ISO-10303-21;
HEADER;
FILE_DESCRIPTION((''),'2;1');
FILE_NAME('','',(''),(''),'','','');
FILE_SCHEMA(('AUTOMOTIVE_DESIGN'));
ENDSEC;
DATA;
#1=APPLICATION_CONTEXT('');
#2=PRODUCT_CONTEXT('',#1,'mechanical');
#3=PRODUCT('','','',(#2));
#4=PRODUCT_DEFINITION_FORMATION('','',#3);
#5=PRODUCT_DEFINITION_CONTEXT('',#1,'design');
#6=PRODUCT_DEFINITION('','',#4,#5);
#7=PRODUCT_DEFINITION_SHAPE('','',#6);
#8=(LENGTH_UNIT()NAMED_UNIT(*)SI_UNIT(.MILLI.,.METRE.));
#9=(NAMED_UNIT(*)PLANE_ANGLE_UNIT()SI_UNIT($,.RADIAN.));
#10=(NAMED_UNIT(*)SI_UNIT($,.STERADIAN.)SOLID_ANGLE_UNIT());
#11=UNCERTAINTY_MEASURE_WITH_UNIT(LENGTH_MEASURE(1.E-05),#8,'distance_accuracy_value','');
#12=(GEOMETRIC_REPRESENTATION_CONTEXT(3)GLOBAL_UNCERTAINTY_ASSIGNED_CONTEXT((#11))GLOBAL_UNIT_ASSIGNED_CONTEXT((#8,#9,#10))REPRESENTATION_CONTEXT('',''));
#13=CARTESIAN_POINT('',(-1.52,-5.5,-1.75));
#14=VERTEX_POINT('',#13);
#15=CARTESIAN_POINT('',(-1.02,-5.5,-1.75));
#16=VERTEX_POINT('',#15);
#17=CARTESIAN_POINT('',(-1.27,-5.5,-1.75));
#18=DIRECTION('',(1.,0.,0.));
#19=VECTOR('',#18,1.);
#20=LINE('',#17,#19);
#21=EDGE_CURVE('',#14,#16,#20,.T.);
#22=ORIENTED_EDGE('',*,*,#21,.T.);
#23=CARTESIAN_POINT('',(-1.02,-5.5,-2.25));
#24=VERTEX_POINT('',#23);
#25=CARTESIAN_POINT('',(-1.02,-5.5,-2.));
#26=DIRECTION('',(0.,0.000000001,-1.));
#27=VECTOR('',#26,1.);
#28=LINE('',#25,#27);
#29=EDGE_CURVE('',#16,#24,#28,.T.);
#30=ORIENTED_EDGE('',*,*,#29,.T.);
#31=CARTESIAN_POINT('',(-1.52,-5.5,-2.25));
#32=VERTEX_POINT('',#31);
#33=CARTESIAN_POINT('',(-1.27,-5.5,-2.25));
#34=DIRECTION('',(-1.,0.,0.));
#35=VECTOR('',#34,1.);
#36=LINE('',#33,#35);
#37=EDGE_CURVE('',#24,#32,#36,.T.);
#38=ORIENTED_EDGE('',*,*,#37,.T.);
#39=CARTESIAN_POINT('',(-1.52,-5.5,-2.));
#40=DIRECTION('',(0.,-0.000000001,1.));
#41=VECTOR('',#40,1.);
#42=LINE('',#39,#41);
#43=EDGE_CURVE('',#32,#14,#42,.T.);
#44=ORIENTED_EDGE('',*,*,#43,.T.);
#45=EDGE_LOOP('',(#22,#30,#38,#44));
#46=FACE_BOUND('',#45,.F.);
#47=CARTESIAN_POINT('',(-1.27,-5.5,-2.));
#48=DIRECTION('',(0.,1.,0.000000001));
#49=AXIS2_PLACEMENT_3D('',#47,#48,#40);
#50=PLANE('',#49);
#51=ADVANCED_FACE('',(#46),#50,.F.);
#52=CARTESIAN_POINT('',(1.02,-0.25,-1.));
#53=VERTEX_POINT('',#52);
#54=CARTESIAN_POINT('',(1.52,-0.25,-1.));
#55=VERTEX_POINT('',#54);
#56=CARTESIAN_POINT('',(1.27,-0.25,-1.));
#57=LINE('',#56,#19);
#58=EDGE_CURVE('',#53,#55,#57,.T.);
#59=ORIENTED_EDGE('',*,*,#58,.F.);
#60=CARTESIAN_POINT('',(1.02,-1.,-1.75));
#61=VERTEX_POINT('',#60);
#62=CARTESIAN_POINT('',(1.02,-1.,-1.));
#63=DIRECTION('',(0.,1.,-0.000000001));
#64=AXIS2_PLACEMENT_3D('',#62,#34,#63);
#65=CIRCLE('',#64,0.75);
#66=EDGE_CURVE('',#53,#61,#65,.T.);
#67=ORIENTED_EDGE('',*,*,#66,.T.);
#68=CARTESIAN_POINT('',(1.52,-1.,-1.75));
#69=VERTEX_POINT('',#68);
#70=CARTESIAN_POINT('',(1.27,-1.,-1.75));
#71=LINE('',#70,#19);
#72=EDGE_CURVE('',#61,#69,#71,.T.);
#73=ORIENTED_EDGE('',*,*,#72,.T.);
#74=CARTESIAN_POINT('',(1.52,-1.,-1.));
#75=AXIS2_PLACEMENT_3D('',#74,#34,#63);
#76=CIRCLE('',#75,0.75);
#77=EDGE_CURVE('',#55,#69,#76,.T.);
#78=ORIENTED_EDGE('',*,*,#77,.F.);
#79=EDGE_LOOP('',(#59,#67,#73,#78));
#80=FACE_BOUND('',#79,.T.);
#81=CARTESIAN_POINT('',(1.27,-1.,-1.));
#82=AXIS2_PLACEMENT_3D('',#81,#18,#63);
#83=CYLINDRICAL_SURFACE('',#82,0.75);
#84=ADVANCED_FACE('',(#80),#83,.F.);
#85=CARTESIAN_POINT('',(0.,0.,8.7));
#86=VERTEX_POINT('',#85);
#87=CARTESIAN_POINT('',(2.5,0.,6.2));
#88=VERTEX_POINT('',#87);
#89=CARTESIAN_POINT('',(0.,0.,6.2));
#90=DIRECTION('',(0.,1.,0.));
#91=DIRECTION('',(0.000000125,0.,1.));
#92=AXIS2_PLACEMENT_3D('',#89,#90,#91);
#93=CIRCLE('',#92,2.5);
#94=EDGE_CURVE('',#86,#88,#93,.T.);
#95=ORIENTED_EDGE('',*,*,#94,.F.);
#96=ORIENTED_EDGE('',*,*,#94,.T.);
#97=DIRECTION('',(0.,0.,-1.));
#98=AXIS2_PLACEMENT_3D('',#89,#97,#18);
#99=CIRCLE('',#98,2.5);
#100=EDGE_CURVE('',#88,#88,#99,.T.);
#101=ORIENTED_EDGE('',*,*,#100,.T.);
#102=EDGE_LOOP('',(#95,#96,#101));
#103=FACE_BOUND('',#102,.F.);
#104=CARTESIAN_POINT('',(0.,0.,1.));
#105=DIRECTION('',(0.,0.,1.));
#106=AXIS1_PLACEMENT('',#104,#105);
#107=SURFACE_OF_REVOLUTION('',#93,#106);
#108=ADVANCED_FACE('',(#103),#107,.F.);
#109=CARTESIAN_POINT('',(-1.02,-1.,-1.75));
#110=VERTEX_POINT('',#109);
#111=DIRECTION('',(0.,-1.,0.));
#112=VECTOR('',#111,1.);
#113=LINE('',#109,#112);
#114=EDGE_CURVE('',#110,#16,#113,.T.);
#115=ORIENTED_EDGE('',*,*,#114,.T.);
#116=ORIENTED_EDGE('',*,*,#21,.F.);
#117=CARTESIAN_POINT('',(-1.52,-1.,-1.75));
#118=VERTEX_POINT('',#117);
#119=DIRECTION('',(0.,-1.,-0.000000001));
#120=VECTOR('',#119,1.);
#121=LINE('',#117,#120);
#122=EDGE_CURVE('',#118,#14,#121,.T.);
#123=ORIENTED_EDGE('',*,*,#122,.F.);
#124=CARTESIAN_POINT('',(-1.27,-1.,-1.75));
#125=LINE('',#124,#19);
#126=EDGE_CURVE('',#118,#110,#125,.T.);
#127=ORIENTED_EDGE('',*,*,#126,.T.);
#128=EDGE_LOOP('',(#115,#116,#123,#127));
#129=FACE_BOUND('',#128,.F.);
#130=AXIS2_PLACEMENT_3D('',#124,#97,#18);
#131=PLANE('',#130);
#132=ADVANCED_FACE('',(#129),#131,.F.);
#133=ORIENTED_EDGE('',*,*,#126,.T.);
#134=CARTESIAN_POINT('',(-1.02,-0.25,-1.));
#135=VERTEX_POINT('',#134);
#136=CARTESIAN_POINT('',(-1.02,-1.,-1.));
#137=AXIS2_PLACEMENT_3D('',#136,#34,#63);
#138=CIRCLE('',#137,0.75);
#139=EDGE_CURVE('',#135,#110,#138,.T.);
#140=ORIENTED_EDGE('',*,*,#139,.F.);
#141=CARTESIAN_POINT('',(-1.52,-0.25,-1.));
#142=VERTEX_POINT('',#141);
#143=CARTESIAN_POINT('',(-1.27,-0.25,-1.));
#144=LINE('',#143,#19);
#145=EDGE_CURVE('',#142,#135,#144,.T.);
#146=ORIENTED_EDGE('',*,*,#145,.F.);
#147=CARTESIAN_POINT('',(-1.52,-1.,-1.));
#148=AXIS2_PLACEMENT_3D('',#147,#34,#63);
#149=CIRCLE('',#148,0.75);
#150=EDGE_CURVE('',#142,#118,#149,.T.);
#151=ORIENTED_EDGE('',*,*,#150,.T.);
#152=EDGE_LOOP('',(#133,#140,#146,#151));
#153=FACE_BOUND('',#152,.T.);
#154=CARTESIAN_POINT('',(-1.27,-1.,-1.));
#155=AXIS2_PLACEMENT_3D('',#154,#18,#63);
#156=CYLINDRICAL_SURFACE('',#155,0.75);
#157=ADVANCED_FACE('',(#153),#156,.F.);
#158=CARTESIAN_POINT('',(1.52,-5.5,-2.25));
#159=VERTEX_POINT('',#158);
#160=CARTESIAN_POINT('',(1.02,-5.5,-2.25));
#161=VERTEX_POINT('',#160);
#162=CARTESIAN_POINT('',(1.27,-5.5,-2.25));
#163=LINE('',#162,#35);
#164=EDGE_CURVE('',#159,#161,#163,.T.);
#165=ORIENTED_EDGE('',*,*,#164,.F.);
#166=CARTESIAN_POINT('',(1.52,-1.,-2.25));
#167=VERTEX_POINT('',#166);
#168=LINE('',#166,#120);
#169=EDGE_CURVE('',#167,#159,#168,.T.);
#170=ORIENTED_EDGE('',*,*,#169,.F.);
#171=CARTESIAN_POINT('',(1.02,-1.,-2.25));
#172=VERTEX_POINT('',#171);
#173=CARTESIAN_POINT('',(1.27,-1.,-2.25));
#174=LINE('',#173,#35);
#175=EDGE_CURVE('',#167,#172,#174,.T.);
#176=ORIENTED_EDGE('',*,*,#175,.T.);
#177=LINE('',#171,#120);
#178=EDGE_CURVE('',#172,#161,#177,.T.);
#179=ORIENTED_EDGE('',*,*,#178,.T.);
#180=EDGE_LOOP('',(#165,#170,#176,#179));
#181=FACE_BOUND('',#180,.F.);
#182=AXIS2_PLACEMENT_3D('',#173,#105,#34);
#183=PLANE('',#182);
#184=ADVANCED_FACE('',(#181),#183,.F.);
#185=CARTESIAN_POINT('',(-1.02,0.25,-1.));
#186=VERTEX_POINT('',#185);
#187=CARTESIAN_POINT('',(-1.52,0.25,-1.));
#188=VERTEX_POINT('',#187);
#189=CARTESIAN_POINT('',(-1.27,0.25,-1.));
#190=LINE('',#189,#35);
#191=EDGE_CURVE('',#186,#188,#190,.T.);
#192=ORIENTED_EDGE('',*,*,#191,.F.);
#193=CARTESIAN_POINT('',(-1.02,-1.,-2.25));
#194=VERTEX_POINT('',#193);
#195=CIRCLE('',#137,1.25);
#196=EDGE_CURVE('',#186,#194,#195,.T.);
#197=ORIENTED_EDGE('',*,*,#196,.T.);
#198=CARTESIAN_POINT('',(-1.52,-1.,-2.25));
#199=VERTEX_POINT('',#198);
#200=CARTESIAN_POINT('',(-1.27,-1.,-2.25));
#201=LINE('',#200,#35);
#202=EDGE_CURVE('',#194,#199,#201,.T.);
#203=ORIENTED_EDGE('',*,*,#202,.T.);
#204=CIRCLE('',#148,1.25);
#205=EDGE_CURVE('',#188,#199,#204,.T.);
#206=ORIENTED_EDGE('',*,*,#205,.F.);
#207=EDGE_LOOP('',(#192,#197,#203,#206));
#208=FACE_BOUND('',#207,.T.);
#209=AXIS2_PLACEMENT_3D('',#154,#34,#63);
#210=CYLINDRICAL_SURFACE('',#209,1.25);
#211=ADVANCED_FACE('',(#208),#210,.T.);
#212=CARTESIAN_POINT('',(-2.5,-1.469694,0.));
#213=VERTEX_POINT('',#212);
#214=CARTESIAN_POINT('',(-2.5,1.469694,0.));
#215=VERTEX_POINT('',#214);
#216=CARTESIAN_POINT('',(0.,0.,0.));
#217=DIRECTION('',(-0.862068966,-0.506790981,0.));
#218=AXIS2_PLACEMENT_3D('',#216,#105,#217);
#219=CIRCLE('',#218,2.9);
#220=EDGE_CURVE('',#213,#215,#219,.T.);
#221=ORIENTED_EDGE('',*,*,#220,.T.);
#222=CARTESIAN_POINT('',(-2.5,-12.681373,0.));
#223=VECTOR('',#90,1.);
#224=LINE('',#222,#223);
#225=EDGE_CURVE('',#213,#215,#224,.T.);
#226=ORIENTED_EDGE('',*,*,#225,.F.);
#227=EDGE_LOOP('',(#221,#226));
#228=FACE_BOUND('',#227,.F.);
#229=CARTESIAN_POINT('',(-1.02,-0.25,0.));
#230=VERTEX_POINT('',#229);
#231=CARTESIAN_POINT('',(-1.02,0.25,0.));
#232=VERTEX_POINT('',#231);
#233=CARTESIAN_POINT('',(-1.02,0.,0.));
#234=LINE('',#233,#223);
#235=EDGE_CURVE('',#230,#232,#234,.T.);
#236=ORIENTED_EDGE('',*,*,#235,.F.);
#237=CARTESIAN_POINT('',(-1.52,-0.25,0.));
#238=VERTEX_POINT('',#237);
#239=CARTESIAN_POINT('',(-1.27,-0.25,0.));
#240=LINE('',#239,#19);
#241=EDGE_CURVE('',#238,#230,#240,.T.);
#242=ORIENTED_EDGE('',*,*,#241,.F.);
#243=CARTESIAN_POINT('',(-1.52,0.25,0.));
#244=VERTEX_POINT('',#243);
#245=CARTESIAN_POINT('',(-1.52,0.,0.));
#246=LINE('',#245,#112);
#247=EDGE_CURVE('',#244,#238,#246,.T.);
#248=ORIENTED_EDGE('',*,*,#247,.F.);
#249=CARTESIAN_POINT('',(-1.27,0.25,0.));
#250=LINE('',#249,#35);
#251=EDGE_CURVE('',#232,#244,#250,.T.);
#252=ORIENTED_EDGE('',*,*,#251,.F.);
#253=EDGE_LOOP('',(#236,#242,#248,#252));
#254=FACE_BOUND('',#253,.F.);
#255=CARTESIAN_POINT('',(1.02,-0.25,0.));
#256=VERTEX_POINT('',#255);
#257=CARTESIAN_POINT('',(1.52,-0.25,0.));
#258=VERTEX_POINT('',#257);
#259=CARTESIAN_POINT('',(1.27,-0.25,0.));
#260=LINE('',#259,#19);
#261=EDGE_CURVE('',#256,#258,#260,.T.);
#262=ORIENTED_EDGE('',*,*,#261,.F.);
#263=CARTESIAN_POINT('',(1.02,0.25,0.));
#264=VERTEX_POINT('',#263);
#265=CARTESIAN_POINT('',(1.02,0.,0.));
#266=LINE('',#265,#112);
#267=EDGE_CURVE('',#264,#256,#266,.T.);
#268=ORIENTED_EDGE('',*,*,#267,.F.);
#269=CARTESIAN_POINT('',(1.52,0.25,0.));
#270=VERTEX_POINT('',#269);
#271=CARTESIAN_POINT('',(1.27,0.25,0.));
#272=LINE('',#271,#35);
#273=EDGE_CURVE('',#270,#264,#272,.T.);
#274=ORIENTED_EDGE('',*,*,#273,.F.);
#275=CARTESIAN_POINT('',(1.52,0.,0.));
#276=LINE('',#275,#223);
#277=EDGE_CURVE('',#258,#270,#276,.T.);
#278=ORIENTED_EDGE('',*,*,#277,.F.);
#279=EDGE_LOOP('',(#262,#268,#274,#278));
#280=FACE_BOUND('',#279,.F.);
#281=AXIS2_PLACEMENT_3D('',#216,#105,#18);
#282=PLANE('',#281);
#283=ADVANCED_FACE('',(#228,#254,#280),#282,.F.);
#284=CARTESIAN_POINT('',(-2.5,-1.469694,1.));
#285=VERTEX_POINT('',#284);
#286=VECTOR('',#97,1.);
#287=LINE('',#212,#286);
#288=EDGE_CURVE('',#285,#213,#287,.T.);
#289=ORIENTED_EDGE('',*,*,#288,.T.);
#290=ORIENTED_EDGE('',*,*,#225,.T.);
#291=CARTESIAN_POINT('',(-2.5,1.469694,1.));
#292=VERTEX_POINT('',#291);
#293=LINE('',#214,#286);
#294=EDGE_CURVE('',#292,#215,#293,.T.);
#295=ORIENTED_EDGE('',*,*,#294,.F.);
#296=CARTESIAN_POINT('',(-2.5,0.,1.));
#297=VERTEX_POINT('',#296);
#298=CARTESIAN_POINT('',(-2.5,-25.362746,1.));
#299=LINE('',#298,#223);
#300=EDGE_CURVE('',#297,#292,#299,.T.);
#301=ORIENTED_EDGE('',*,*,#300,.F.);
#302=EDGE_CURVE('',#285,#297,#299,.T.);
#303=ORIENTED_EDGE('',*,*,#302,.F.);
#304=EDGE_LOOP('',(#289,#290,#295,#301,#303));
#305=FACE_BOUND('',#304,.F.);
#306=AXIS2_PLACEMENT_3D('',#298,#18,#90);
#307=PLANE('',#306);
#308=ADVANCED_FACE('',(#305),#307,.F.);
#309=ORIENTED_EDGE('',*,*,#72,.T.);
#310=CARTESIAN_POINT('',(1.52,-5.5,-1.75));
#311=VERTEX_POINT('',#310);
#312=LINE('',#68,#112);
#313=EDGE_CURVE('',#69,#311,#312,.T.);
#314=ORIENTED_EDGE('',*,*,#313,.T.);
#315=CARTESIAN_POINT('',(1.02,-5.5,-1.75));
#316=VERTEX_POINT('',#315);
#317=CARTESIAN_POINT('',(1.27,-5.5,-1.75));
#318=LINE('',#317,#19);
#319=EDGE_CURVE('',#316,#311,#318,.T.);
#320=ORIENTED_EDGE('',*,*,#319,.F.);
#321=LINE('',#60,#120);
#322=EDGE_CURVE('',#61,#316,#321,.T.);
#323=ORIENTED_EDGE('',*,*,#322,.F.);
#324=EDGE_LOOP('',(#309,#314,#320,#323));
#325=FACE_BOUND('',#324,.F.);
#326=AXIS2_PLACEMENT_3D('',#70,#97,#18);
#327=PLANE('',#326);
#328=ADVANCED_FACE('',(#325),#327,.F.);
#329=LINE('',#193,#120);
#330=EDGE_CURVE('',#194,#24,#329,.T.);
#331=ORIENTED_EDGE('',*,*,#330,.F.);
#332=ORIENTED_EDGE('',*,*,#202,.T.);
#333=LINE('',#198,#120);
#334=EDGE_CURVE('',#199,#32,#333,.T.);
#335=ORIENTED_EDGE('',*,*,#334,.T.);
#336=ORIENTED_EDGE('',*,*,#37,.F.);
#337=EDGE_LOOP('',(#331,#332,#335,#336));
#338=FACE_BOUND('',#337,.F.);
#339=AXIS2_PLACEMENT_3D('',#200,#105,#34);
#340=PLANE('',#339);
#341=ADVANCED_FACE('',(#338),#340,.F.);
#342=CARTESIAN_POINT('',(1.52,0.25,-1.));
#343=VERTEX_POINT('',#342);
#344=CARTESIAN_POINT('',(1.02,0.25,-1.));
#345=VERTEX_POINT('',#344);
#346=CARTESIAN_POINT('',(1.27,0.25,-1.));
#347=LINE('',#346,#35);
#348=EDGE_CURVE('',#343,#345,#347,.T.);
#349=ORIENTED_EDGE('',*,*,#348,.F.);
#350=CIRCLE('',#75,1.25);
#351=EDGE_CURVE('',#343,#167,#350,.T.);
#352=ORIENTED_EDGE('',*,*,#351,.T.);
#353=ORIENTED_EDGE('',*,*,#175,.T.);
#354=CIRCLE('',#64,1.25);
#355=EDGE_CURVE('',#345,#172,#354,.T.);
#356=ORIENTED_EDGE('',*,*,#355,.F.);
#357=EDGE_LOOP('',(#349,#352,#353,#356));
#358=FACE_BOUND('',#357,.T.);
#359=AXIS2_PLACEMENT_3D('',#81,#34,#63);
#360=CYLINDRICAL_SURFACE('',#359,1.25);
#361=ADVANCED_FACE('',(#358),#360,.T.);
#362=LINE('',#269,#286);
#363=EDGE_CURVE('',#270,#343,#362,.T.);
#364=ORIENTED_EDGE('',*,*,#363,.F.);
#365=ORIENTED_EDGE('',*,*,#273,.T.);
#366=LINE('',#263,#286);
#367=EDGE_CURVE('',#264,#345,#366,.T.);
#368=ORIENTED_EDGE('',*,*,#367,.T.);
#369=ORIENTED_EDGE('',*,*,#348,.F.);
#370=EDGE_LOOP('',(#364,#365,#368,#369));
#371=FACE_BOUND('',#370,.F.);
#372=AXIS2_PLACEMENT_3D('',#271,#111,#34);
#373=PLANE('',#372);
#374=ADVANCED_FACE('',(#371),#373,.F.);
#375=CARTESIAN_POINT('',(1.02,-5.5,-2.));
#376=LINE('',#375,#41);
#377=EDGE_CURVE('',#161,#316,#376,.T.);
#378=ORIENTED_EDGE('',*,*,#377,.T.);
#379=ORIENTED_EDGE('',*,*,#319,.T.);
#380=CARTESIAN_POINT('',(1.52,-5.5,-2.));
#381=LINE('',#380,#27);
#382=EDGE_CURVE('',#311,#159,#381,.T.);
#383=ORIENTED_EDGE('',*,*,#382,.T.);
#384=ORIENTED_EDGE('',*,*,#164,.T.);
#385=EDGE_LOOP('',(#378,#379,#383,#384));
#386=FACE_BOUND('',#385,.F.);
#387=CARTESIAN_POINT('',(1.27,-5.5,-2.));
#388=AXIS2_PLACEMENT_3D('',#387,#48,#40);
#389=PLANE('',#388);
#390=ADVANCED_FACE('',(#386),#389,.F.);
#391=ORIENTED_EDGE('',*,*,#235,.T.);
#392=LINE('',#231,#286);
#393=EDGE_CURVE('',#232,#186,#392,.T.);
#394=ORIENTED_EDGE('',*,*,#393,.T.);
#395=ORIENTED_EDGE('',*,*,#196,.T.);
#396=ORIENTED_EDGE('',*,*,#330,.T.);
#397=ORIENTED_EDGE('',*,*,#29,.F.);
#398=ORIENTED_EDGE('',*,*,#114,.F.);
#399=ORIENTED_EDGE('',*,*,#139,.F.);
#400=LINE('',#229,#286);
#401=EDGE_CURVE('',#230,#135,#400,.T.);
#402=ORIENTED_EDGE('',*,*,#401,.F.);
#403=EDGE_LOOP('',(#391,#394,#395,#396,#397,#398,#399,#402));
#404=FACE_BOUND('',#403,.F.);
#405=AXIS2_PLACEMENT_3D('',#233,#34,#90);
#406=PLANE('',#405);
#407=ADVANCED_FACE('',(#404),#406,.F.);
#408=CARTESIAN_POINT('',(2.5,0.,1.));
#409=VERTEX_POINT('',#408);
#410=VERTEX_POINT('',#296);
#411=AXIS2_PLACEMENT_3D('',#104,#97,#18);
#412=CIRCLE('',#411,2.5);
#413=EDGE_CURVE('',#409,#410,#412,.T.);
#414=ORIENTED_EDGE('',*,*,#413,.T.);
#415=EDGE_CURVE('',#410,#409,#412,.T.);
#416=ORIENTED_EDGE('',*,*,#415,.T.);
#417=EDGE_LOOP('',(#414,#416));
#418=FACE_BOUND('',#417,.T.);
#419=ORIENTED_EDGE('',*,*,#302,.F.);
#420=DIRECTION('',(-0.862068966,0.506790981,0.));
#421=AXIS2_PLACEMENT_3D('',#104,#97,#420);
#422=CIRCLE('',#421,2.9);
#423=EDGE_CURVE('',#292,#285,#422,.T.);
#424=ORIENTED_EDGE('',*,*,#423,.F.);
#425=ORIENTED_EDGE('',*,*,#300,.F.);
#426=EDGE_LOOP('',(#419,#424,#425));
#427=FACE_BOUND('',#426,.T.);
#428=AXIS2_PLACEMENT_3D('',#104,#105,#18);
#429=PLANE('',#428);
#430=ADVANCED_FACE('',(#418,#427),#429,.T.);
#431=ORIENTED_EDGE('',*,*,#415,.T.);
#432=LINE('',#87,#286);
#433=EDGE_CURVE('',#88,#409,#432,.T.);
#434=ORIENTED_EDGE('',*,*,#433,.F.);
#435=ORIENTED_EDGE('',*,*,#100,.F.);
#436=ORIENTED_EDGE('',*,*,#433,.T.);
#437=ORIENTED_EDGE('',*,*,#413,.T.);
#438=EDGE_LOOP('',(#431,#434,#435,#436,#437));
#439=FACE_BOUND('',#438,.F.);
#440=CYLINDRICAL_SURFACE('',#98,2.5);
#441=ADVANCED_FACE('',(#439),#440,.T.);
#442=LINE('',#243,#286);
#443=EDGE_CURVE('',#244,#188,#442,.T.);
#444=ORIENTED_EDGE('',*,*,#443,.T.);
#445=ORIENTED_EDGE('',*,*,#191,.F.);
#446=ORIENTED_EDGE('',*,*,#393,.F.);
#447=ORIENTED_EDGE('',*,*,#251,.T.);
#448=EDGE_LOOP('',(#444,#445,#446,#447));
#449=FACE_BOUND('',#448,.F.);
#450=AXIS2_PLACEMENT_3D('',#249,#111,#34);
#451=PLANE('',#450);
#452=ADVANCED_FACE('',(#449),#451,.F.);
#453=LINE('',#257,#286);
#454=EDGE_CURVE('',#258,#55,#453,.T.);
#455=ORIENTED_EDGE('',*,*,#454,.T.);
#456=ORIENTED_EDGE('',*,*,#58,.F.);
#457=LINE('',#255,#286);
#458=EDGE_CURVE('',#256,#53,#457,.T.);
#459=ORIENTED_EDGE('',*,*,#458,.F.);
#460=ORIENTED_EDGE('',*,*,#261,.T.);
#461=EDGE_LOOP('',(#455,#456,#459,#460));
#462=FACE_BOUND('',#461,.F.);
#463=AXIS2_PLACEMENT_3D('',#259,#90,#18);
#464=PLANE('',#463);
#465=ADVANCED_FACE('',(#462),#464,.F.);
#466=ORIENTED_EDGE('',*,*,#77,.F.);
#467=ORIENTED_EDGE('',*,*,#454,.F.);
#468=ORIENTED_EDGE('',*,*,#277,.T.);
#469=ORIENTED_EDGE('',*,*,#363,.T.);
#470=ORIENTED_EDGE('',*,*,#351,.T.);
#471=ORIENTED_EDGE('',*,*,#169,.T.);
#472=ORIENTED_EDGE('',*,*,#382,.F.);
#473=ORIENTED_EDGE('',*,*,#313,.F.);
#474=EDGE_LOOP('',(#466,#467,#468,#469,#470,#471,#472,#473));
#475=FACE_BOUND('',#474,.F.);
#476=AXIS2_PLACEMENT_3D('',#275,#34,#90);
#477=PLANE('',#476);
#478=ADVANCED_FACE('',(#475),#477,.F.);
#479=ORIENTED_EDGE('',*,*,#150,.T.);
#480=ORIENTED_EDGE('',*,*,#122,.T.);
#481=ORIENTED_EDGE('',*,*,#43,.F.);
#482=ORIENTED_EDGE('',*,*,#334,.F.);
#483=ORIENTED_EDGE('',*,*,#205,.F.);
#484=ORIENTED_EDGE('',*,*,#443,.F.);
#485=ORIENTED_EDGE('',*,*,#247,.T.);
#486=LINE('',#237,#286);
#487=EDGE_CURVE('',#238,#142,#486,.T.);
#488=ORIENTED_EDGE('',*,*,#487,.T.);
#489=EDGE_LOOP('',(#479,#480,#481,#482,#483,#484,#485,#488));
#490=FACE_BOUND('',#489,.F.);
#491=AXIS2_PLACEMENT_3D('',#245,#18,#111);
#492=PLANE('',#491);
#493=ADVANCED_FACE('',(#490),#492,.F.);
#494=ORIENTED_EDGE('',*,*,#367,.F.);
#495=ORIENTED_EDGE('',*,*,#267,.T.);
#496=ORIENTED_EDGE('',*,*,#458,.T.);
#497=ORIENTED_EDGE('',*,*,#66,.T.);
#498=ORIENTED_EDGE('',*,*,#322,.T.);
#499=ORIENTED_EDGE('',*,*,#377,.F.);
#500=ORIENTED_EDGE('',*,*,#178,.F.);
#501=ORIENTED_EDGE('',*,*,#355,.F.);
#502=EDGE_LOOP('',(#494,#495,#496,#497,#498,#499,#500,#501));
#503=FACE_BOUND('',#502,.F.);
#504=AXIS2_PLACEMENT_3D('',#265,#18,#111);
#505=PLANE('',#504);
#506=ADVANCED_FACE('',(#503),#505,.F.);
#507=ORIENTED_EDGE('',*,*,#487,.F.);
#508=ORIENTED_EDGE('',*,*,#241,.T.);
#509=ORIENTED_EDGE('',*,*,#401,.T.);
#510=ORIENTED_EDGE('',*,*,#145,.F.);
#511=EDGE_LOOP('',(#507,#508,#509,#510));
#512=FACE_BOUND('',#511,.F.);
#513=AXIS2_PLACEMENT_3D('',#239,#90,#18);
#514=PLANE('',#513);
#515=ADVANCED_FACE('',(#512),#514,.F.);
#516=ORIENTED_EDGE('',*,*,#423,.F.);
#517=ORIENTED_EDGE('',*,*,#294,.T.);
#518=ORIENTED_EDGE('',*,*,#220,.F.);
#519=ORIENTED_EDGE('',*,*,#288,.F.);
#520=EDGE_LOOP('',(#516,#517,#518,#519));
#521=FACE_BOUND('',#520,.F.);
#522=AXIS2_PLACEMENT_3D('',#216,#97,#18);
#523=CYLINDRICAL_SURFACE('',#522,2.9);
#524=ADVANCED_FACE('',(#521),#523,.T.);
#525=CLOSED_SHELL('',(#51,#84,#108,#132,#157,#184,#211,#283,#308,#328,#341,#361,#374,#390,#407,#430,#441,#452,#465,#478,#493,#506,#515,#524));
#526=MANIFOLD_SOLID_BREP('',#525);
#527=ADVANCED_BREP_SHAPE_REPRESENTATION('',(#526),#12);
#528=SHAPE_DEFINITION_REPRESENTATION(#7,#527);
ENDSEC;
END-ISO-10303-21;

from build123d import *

# Parameters (mm, degrees)
ESQUISSE3_R                  = 2.9
BOSS_EXTRU_1_DEPTH           = 1
ENL_V_MAT_EXTRU_1_DEPTH      = 8.7000001
ENL_V_MAT_EXTRU_1_DEPTH_BACK = 2
ESQUISSE7_W                  = 0.5
ESQUISSE7_H                  = 0.5


with BuildPart() as part:
    # Esquisse3 → Boss.-Extru.1 (new body)
    with BuildSketch(Plane.XY):
        Circle(ESQUISSE3_R)
    extrude(amount=BOSS_EXTRU_1_DEPTH)

    # Esquisse5 → Révolution1 (revolve)
    with BuildSketch(Plane(origin=(0, 0, 0), x_dir=(1, 0, 0), z_dir=(0, 1, 0))):
        with BuildLine():
            Line((0, -1), (0, -8.7))
            ThreePointArc((0, -8.7), (1.767766953, -7.96776677), (2.5, -6.199999817))
            Line((2.5, -6.199999817), (2.5, -1))
            Line((2.5, -1), (0, -1))
        make_face()
    revolve(axis=Axis((0, 0, 1), (0, 0, 1)))

    # Esquisse6 → Enlèv. mat.-Extru.1 (cut, two sides)
    with BuildSketch(Plane.XY.offset(1)) as enl_v_mat_extru_1_sk:
        Polygon((-2.5, 25.362745966), (-2.5, 1.469693846), (-2.5, -1.469693846), (-2.5, -25.362745966), (-50.286104241, -25.362745966), (-50.286104241, 25.362745966), align=None)
    extrude(amount=ENL_V_MAT_EXTRU_1_DEPTH, mode=Mode.SUBTRACT)
    extrude(enl_v_mat_extru_1_sk.sketch, amount=-ENL_V_MAT_EXTRU_1_DEPTH_BACK, mode=Mode.SUBTRACT)

    # Balayage1: sweep along a path in Esquisse8
    with BuildLine(Plane(origin=(0, 0, 0), x_dir=(0, 0, -1), z_dir=(1, 0, 0))) as balayage1_path:
        Line((0, 0), (1, 0))
        ThreePointArc((1, 0), (1.707106781, -0.292893219), (2, -1))
        Line((2, -1), (2, -5.5))
    # Esquisse7 → Balayage1 (sweep)
    with BuildSketch(Plane.XY):
        with Locations((1.27, 0)):
            Rectangle(ESQUISSE7_W, ESQUISSE7_H)
        with Locations((-1.27, 0)):
            Rectangle(ESQUISSE7_W, ESQUISSE7_H)
    sweep(path=balayage1_path.line)


solid = part.part
